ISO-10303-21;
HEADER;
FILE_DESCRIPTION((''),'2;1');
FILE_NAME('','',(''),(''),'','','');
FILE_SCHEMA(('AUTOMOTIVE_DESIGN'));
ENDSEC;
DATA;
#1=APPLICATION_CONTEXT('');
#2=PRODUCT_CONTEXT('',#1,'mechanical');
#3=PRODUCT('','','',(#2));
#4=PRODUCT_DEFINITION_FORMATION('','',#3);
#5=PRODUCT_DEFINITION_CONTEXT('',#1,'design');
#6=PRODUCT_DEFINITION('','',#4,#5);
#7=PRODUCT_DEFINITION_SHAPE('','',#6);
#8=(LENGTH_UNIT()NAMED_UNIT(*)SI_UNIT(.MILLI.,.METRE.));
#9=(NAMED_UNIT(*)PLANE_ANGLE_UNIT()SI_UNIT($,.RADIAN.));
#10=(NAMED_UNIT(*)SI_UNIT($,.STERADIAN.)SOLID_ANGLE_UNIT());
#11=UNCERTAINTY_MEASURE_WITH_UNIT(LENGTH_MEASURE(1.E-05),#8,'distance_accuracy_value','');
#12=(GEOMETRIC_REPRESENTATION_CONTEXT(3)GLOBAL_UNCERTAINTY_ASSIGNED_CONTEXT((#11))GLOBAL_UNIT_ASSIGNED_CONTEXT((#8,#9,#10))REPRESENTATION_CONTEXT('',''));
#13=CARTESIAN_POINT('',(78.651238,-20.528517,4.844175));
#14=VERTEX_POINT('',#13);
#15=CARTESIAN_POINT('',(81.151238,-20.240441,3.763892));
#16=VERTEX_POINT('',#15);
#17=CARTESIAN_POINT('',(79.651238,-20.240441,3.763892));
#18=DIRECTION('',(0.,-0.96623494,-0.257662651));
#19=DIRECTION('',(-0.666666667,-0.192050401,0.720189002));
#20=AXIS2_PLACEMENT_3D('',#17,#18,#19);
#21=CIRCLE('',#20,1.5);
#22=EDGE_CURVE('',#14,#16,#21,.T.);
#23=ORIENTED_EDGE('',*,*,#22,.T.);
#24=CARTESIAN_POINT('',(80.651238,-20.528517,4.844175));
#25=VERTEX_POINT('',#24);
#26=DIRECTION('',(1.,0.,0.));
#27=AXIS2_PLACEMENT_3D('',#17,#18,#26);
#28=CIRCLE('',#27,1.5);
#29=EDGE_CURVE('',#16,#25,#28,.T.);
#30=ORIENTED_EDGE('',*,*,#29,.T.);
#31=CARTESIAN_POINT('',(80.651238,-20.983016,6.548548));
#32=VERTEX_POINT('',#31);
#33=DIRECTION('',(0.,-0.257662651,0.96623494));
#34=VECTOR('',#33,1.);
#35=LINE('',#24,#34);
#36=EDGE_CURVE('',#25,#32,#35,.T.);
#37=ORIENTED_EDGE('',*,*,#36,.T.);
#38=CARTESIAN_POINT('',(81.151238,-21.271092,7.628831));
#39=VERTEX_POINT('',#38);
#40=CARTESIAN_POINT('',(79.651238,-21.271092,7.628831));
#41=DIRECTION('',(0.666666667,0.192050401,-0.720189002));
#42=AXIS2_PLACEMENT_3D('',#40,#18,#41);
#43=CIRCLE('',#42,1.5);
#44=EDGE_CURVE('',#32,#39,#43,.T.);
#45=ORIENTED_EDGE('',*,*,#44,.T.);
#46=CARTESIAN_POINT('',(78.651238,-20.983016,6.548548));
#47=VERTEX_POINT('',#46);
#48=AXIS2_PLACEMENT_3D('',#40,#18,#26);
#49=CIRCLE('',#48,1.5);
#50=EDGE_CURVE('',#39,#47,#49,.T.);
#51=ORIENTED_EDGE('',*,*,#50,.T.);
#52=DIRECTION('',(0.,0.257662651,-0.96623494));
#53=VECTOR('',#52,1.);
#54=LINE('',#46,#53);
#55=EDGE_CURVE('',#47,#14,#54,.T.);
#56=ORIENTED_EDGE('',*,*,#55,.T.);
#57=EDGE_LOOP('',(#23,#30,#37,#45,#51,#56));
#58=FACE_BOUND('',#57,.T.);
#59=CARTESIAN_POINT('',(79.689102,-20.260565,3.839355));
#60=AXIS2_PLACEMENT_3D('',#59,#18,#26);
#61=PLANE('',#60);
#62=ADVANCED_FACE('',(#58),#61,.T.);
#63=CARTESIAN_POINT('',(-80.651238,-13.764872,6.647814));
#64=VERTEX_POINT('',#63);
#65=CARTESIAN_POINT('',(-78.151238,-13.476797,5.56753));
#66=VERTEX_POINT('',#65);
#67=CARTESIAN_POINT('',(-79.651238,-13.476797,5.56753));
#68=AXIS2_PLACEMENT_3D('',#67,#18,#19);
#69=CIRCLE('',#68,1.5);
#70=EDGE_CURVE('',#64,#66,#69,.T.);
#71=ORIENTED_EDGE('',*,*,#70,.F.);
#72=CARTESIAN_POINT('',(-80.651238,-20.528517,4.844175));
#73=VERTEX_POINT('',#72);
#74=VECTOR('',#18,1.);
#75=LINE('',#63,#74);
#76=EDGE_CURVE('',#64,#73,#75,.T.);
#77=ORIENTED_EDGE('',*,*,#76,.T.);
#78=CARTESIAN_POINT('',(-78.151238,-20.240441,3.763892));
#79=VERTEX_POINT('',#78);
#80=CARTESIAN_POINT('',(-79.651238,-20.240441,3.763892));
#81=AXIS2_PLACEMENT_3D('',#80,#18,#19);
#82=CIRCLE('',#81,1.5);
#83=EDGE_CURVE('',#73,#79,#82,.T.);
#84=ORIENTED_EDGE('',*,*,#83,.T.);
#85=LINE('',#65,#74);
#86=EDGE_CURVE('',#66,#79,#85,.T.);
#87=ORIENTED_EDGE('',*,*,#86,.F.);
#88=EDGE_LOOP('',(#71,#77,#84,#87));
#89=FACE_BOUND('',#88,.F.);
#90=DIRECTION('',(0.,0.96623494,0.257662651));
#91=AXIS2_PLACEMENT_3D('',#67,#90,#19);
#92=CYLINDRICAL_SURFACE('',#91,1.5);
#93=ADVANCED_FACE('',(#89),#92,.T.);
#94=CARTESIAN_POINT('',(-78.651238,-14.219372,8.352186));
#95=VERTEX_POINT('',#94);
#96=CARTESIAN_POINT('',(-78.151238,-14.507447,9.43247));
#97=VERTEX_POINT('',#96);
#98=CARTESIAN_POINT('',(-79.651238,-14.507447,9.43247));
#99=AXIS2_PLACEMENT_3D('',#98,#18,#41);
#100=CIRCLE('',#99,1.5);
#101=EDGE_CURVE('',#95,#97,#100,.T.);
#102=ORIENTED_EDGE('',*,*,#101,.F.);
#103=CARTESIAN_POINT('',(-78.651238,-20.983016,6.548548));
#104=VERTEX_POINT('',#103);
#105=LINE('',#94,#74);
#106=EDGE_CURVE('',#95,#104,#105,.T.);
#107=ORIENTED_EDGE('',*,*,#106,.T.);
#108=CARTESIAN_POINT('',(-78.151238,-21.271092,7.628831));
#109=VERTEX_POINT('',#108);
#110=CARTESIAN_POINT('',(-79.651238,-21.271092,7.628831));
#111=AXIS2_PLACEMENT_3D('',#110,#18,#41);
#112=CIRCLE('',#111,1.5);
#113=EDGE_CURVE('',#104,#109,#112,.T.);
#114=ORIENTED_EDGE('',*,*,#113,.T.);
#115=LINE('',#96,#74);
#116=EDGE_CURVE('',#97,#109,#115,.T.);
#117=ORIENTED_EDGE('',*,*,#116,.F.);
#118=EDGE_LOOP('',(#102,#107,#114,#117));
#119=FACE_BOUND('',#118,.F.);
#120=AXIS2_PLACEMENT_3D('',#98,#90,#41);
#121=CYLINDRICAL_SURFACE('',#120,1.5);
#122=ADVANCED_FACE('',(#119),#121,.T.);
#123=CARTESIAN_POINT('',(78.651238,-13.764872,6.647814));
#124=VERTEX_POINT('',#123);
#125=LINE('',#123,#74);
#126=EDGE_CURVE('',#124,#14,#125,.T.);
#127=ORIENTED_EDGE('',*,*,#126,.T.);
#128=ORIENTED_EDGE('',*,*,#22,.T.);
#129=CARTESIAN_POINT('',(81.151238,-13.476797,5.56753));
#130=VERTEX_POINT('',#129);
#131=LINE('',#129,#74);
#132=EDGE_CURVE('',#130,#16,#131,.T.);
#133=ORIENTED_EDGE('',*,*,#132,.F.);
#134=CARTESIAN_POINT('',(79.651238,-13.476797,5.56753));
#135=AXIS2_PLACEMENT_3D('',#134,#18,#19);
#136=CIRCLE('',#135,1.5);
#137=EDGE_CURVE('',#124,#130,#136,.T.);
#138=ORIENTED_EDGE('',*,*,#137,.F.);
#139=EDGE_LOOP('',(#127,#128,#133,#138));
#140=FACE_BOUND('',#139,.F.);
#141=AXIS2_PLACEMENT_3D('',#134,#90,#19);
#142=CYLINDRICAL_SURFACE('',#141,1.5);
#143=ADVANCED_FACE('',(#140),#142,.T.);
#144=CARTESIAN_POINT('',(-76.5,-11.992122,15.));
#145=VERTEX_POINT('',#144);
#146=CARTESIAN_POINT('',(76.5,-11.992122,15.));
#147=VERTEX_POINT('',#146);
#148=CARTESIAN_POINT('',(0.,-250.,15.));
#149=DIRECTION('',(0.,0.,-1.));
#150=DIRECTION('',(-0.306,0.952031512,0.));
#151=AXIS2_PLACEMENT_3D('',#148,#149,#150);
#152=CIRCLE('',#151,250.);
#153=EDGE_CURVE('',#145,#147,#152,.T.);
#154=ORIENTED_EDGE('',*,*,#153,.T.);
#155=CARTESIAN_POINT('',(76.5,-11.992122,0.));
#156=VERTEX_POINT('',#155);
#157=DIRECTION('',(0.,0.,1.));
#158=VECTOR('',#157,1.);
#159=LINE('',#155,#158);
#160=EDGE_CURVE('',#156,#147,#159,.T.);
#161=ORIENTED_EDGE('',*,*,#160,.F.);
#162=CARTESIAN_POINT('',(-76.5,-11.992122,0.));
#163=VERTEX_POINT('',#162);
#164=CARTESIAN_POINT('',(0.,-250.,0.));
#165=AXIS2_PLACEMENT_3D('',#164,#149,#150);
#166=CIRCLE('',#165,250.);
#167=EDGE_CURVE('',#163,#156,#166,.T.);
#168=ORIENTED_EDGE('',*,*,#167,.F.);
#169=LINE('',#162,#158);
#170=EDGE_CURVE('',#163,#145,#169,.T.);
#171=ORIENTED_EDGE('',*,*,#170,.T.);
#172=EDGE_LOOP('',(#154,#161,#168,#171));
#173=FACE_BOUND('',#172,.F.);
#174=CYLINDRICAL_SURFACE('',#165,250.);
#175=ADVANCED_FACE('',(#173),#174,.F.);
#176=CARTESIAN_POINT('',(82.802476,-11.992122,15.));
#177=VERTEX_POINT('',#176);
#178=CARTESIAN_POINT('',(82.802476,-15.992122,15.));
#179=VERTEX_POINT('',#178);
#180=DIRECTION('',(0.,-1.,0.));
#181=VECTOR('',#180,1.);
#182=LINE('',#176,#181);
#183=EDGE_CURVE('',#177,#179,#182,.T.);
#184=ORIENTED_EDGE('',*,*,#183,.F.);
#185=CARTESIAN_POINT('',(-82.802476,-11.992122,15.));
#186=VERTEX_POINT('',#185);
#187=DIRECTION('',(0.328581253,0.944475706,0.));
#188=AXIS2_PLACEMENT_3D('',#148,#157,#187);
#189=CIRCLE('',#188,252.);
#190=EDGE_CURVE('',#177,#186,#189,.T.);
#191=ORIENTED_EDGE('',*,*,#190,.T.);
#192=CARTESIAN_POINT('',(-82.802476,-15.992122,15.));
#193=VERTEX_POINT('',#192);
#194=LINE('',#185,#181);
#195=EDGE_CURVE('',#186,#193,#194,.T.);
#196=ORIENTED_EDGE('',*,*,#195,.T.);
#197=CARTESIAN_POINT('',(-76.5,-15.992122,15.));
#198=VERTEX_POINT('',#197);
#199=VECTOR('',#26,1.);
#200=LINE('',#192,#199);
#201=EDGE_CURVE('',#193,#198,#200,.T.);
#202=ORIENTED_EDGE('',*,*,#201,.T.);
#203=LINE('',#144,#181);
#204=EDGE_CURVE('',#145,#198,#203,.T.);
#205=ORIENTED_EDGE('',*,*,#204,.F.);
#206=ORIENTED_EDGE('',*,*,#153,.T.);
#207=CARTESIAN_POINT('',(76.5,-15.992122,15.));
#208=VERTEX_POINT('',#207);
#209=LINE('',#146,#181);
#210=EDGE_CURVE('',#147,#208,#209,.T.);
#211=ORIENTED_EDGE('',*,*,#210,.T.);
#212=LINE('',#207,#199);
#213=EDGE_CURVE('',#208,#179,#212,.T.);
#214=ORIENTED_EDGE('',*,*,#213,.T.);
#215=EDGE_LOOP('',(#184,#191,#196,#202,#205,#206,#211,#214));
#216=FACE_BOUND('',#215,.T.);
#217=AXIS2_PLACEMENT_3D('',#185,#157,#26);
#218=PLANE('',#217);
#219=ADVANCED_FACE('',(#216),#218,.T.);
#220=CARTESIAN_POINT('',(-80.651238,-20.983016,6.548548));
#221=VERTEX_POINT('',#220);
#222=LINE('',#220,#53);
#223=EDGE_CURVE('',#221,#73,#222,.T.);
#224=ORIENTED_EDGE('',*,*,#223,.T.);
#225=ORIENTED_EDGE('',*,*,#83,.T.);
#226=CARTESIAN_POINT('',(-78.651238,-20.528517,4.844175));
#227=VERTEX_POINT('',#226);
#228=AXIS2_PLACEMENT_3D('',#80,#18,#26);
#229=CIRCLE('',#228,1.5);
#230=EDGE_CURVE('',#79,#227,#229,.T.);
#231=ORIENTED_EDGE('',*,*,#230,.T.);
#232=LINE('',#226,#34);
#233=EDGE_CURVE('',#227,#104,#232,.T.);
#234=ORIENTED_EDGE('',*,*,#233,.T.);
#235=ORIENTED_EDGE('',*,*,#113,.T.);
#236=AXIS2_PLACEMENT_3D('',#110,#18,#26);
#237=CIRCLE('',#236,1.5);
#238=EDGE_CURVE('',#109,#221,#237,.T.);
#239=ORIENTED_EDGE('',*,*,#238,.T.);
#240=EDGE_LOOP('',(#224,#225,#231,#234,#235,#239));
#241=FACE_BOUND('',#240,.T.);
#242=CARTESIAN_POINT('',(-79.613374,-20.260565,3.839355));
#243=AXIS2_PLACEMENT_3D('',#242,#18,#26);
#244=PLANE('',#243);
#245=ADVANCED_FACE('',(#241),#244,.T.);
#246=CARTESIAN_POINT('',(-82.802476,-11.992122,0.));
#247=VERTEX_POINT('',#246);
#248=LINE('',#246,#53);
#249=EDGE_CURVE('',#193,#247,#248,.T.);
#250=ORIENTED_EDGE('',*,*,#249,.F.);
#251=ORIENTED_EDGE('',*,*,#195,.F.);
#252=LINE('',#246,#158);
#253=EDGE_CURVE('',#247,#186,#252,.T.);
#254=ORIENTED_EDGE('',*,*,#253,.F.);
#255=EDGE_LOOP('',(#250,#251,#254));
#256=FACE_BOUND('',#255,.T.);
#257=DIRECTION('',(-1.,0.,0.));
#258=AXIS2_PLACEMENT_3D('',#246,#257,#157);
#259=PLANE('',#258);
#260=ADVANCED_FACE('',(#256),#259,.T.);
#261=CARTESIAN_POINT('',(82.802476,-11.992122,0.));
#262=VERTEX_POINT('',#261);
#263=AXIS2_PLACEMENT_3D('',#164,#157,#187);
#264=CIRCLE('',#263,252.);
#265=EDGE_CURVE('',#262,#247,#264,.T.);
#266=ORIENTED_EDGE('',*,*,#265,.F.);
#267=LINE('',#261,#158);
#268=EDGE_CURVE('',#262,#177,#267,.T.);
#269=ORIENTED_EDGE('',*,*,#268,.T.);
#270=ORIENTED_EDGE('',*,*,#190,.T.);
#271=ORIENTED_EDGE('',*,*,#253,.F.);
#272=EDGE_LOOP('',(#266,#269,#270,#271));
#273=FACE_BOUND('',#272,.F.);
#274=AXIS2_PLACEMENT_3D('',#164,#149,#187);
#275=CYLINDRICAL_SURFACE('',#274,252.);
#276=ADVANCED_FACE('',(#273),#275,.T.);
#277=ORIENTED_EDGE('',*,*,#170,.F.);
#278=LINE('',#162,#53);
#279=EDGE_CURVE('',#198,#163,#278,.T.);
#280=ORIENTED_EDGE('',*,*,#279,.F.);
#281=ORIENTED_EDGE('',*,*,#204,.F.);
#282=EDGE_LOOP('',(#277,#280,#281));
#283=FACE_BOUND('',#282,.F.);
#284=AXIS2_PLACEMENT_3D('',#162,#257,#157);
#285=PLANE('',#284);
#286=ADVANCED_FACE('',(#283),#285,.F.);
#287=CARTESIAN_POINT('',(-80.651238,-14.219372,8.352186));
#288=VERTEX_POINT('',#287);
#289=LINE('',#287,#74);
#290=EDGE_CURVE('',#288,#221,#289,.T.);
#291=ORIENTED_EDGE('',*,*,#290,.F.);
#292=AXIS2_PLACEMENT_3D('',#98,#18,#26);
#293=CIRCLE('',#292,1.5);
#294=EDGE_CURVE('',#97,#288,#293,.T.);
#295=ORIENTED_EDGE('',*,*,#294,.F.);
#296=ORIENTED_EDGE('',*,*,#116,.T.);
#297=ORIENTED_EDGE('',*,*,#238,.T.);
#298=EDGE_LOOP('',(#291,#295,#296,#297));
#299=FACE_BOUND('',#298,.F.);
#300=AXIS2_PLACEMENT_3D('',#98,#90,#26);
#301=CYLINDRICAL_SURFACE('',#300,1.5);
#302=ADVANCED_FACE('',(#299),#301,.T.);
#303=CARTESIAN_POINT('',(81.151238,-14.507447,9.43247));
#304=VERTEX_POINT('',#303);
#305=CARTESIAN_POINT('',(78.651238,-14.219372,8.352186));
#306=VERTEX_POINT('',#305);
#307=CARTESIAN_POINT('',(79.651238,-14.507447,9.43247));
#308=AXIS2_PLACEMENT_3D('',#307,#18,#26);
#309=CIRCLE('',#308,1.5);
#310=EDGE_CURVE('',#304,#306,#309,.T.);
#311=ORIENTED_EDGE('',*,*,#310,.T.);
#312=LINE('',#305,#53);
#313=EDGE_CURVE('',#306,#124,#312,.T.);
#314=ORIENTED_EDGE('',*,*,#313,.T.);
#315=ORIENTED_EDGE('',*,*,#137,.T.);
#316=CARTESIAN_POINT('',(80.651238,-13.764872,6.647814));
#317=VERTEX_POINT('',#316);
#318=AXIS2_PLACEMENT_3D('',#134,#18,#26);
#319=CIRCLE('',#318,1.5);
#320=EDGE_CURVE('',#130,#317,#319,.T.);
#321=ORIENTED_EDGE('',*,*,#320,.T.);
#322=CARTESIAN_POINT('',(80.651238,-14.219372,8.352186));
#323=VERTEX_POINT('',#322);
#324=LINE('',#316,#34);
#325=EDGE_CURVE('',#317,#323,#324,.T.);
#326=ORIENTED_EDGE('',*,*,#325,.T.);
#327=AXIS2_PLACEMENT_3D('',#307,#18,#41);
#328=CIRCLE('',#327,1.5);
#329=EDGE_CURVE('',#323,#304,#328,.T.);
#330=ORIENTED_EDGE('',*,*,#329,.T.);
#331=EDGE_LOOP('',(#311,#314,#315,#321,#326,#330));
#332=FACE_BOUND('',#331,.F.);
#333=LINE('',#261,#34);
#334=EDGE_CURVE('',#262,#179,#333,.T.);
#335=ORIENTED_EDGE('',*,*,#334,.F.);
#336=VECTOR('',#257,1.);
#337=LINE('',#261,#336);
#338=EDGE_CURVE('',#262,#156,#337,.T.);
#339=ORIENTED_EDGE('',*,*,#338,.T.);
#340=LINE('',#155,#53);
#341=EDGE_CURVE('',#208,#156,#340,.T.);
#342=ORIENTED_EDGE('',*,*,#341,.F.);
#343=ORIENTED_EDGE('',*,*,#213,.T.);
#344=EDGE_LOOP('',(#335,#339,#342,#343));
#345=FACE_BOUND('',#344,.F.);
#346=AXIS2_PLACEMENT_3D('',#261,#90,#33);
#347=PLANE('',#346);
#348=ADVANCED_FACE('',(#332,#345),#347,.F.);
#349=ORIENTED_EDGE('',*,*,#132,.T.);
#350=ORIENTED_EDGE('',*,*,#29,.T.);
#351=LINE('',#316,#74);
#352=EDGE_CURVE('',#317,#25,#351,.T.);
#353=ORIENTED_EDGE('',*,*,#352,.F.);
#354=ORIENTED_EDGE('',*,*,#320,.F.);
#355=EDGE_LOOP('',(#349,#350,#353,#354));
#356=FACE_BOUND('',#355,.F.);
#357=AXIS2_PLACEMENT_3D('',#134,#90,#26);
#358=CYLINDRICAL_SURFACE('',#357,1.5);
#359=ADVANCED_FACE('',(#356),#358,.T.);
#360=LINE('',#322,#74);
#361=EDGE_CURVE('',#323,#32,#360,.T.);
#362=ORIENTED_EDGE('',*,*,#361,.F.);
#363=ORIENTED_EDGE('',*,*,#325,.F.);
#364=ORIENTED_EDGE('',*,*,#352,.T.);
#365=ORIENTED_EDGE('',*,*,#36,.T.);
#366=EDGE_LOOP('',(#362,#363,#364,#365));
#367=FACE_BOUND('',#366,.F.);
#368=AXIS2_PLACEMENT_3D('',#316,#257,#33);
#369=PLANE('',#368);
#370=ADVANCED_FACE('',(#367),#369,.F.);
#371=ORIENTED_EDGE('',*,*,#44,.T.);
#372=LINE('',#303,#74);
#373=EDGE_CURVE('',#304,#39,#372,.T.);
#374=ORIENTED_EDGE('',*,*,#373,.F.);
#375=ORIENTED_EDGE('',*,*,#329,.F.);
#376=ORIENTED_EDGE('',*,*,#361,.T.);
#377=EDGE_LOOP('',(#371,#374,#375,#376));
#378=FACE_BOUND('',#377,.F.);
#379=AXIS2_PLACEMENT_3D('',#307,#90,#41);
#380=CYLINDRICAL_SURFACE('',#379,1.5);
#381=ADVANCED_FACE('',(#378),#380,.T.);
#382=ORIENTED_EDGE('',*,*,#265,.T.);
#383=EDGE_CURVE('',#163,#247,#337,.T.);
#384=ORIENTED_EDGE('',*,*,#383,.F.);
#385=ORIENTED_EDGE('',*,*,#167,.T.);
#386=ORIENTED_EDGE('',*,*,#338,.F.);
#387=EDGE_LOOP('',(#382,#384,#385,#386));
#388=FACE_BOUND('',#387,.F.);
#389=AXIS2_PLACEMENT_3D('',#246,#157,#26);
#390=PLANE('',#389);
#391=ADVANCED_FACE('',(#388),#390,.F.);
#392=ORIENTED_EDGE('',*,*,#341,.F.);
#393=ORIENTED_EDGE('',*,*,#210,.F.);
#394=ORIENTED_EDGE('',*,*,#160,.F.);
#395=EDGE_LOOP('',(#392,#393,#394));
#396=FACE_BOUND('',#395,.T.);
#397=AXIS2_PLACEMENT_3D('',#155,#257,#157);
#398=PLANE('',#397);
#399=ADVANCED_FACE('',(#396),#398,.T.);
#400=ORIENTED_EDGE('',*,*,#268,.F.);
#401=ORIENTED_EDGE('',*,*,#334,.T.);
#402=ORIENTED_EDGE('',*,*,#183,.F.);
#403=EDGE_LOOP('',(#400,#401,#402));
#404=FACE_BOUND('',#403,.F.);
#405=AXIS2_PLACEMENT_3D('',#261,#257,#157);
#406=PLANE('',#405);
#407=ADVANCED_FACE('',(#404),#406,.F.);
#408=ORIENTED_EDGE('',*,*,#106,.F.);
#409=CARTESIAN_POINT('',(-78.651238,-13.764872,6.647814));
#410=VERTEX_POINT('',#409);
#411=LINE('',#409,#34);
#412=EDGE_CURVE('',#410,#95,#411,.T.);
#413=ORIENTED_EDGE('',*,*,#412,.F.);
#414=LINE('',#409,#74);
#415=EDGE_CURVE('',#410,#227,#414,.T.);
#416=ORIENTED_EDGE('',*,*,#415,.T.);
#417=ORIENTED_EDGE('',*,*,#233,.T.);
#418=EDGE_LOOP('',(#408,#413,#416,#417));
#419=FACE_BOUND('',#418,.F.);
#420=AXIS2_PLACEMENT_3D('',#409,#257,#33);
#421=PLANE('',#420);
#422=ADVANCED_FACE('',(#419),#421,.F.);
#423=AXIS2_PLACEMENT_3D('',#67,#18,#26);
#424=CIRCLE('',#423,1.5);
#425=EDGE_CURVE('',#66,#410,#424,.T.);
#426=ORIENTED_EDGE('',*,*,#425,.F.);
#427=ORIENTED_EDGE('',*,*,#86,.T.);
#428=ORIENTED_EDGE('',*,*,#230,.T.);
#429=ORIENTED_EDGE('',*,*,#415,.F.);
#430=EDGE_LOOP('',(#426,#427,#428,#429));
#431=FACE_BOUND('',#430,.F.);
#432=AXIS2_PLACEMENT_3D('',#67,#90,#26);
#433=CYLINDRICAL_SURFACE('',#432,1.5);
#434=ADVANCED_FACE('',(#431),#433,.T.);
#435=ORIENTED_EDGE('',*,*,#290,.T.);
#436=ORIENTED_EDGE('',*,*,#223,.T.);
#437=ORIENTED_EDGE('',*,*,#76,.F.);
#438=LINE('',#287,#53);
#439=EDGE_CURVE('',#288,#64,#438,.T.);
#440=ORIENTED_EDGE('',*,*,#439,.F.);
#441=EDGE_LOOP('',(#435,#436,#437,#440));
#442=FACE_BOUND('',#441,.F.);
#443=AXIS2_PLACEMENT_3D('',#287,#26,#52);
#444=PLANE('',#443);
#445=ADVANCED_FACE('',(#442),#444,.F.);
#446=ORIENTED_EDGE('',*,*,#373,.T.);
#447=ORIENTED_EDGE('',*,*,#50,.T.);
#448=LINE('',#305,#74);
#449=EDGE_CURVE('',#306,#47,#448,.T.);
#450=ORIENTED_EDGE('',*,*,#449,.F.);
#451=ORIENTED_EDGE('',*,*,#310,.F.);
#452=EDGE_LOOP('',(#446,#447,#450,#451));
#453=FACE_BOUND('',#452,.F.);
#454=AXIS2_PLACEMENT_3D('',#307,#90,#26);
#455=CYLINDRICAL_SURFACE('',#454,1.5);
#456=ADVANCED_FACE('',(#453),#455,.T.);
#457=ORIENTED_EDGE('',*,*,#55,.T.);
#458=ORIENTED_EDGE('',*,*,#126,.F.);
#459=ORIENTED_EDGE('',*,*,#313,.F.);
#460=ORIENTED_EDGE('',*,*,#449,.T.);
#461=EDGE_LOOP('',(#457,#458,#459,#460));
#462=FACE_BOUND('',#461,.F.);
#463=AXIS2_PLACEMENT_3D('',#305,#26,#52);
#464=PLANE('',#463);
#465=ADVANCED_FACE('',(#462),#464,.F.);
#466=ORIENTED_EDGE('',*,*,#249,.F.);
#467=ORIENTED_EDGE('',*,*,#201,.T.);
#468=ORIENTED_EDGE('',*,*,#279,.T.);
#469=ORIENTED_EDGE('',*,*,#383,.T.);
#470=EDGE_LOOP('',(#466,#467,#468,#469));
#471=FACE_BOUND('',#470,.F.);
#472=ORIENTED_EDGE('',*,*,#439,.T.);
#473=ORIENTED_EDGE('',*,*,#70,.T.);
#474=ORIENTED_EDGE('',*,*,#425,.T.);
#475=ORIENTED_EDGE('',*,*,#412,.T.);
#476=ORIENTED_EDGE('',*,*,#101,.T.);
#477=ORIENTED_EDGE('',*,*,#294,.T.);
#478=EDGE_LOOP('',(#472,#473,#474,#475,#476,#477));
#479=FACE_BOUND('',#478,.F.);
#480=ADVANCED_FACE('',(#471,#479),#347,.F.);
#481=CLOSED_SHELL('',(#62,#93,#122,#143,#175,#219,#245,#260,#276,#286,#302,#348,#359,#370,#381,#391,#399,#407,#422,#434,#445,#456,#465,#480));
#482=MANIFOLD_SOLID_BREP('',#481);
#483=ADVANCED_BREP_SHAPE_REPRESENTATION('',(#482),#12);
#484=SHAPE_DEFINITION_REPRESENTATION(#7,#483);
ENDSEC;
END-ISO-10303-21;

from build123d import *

# Parameters (mm, degrees)
F1_DEPTH = 15
F2_DEPTH = 4
F4_DEPTH = 250
F6_DEPTH = 7


with BuildPart() as f1:
    # F0 (on Top) → F1 (new body)
    with BuildSketch(Plane.XY):
        with BuildLine():
            ThreePointArc((-76.5, -11.9921219791), (0, 0), (76.5, -11.9921219791))
            Line((76.5, -11.9921219791), (82.8024758084, -11.9921219791))
            ThreePointArc((82.8024758084, -11.9921219791), (0, 2), (-82.8024758084, -11.9921219791))
            Line((-82.8024758084, -11.9921219791), (-76.5, -11.9921219791))
        make_face()
    extrude(amount=F1_DEPTH)

    # F2 (add): faces of the model
    f2_faces = [f1.faces().sort_by_distance(p)[0] for p in [
        (-79.6512379042, -11.9921219791, 7.5),
        (79.6512379042, -11.9921219791, 7.5),
    ]]
    extrude(f2_faces, amount=F2_DEPTH)

    # F3 (on face) → F4 (cut)
    with BuildSketch(Plane.YZ.offset(82.8024758084)):
        Polygon((-11.9921219791, 0), (-15.9921219791, 15), (-15.9921219791, 0), align=None)
    extrude(amount=-F4_DEPTH, mode=Mode.SUBTRACT)

    # F5 (on face) → F6 (join)
    with BuildSketch(Plane(origin=(0, -11.1959645033, -2.9855905342), x_dir=(1, 0, 0), z_dir=(0, -0.9662349396, -0.2576626506))):
        with BuildLine():
            ThreePointArc((-80.6512379042, 9.9700432719), (-80.2636103399, 7.4827028894), (-78.1512379042, 8.8520092831))
            ThreePointArc((-78.1512379042, 8.8520092831), (-78.2819315104, 9.4643817188), (-78.6512379042, 9.9700432719))
            ThreePointArc((-78.6512379042, 9.9700432719), (-79.6512379042, 10.3520092831), (-80.6512379042, 9.9700432719))
        make_face()
        with BuildLine():
            ThreePointArc((-80.6512379042, 9.9700432719), (-79.6512379042, 10.3520092831), (-78.6512379042, 9.9700432719))
            Line((-78.6512379042, 9.9700432719), (-78.6512379042, 11.7339752944))
            ThreePointArc((-78.6512379042, 11.7339752944), (-79.6512379042, 11.3520092831), (-80.6512379042, 11.7339752944))
            Line((-80.6512379042, 11.7339752944), (-80.6512379042, 9.9700432719))
        make_face()
        with BuildLine():
            ThreePointArc((-80.6512379042, 11.7339752944), (-79.6512379042, 11.3520092831), (-78.6512379042, 11.7339752944))
            ThreePointArc((-78.6512379042, 11.7339752944), (-78.2819315104, 12.2396368474), (-78.1512379042, 12.8520092831))
            ThreePointArc((-78.1512379042, 12.8520092831), (-80.2636103399, 14.2213156769), (-80.6512379042, 11.7339752944))
        make_face()
        with BuildLine():
            ThreePointArc((80.6512379042, 9.9700432719), (79.6512379042, 10.3520092831), (78.6512379042, 9.9700432719))
            ThreePointArc((78.6512379042, 9.9700432719), (79.0388654685, 7.4827028894), (81.1512379042, 8.8520092831))
            ThreePointArc((81.1512379042, 8.8520092831), (81.020544298, 9.4643817188), (80.6512379042, 9.9700432719))
        make_face()
        with BuildLine():
            Line((78.6512379042, 11.7339752944), (78.6512379042, 9.9700432719))
            ThreePointArc((78.6512379042, 9.9700432719), (79.6512379042, 10.3520092831), (80.6512379042, 9.9700432719))
            Line((80.6512379042, 9.9700432719), (80.6512379042, 11.7339752944))
            ThreePointArc((80.6512379042, 11.7339752944), (79.6512379042, 11.3520092831), (78.6512379042, 11.7339752944))
        make_face()
        with BuildLine():
            ThreePointArc((81.1512379042, 12.8520092831), (79.0388654685, 14.2213156769), (78.6512379042, 11.7339752944))
            ThreePointArc((78.6512379042, 11.7339752944), (79.6512379042, 11.3520092831), (80.6512379042, 11.7339752944))
            ThreePointArc((80.6512379042, 11.7339752944), (81.020544298, 12.2396368474), (81.1512379042, 12.8520092831))
        make_face()
    extrude(amount=F6_DEPTH)


solid = f1.part
